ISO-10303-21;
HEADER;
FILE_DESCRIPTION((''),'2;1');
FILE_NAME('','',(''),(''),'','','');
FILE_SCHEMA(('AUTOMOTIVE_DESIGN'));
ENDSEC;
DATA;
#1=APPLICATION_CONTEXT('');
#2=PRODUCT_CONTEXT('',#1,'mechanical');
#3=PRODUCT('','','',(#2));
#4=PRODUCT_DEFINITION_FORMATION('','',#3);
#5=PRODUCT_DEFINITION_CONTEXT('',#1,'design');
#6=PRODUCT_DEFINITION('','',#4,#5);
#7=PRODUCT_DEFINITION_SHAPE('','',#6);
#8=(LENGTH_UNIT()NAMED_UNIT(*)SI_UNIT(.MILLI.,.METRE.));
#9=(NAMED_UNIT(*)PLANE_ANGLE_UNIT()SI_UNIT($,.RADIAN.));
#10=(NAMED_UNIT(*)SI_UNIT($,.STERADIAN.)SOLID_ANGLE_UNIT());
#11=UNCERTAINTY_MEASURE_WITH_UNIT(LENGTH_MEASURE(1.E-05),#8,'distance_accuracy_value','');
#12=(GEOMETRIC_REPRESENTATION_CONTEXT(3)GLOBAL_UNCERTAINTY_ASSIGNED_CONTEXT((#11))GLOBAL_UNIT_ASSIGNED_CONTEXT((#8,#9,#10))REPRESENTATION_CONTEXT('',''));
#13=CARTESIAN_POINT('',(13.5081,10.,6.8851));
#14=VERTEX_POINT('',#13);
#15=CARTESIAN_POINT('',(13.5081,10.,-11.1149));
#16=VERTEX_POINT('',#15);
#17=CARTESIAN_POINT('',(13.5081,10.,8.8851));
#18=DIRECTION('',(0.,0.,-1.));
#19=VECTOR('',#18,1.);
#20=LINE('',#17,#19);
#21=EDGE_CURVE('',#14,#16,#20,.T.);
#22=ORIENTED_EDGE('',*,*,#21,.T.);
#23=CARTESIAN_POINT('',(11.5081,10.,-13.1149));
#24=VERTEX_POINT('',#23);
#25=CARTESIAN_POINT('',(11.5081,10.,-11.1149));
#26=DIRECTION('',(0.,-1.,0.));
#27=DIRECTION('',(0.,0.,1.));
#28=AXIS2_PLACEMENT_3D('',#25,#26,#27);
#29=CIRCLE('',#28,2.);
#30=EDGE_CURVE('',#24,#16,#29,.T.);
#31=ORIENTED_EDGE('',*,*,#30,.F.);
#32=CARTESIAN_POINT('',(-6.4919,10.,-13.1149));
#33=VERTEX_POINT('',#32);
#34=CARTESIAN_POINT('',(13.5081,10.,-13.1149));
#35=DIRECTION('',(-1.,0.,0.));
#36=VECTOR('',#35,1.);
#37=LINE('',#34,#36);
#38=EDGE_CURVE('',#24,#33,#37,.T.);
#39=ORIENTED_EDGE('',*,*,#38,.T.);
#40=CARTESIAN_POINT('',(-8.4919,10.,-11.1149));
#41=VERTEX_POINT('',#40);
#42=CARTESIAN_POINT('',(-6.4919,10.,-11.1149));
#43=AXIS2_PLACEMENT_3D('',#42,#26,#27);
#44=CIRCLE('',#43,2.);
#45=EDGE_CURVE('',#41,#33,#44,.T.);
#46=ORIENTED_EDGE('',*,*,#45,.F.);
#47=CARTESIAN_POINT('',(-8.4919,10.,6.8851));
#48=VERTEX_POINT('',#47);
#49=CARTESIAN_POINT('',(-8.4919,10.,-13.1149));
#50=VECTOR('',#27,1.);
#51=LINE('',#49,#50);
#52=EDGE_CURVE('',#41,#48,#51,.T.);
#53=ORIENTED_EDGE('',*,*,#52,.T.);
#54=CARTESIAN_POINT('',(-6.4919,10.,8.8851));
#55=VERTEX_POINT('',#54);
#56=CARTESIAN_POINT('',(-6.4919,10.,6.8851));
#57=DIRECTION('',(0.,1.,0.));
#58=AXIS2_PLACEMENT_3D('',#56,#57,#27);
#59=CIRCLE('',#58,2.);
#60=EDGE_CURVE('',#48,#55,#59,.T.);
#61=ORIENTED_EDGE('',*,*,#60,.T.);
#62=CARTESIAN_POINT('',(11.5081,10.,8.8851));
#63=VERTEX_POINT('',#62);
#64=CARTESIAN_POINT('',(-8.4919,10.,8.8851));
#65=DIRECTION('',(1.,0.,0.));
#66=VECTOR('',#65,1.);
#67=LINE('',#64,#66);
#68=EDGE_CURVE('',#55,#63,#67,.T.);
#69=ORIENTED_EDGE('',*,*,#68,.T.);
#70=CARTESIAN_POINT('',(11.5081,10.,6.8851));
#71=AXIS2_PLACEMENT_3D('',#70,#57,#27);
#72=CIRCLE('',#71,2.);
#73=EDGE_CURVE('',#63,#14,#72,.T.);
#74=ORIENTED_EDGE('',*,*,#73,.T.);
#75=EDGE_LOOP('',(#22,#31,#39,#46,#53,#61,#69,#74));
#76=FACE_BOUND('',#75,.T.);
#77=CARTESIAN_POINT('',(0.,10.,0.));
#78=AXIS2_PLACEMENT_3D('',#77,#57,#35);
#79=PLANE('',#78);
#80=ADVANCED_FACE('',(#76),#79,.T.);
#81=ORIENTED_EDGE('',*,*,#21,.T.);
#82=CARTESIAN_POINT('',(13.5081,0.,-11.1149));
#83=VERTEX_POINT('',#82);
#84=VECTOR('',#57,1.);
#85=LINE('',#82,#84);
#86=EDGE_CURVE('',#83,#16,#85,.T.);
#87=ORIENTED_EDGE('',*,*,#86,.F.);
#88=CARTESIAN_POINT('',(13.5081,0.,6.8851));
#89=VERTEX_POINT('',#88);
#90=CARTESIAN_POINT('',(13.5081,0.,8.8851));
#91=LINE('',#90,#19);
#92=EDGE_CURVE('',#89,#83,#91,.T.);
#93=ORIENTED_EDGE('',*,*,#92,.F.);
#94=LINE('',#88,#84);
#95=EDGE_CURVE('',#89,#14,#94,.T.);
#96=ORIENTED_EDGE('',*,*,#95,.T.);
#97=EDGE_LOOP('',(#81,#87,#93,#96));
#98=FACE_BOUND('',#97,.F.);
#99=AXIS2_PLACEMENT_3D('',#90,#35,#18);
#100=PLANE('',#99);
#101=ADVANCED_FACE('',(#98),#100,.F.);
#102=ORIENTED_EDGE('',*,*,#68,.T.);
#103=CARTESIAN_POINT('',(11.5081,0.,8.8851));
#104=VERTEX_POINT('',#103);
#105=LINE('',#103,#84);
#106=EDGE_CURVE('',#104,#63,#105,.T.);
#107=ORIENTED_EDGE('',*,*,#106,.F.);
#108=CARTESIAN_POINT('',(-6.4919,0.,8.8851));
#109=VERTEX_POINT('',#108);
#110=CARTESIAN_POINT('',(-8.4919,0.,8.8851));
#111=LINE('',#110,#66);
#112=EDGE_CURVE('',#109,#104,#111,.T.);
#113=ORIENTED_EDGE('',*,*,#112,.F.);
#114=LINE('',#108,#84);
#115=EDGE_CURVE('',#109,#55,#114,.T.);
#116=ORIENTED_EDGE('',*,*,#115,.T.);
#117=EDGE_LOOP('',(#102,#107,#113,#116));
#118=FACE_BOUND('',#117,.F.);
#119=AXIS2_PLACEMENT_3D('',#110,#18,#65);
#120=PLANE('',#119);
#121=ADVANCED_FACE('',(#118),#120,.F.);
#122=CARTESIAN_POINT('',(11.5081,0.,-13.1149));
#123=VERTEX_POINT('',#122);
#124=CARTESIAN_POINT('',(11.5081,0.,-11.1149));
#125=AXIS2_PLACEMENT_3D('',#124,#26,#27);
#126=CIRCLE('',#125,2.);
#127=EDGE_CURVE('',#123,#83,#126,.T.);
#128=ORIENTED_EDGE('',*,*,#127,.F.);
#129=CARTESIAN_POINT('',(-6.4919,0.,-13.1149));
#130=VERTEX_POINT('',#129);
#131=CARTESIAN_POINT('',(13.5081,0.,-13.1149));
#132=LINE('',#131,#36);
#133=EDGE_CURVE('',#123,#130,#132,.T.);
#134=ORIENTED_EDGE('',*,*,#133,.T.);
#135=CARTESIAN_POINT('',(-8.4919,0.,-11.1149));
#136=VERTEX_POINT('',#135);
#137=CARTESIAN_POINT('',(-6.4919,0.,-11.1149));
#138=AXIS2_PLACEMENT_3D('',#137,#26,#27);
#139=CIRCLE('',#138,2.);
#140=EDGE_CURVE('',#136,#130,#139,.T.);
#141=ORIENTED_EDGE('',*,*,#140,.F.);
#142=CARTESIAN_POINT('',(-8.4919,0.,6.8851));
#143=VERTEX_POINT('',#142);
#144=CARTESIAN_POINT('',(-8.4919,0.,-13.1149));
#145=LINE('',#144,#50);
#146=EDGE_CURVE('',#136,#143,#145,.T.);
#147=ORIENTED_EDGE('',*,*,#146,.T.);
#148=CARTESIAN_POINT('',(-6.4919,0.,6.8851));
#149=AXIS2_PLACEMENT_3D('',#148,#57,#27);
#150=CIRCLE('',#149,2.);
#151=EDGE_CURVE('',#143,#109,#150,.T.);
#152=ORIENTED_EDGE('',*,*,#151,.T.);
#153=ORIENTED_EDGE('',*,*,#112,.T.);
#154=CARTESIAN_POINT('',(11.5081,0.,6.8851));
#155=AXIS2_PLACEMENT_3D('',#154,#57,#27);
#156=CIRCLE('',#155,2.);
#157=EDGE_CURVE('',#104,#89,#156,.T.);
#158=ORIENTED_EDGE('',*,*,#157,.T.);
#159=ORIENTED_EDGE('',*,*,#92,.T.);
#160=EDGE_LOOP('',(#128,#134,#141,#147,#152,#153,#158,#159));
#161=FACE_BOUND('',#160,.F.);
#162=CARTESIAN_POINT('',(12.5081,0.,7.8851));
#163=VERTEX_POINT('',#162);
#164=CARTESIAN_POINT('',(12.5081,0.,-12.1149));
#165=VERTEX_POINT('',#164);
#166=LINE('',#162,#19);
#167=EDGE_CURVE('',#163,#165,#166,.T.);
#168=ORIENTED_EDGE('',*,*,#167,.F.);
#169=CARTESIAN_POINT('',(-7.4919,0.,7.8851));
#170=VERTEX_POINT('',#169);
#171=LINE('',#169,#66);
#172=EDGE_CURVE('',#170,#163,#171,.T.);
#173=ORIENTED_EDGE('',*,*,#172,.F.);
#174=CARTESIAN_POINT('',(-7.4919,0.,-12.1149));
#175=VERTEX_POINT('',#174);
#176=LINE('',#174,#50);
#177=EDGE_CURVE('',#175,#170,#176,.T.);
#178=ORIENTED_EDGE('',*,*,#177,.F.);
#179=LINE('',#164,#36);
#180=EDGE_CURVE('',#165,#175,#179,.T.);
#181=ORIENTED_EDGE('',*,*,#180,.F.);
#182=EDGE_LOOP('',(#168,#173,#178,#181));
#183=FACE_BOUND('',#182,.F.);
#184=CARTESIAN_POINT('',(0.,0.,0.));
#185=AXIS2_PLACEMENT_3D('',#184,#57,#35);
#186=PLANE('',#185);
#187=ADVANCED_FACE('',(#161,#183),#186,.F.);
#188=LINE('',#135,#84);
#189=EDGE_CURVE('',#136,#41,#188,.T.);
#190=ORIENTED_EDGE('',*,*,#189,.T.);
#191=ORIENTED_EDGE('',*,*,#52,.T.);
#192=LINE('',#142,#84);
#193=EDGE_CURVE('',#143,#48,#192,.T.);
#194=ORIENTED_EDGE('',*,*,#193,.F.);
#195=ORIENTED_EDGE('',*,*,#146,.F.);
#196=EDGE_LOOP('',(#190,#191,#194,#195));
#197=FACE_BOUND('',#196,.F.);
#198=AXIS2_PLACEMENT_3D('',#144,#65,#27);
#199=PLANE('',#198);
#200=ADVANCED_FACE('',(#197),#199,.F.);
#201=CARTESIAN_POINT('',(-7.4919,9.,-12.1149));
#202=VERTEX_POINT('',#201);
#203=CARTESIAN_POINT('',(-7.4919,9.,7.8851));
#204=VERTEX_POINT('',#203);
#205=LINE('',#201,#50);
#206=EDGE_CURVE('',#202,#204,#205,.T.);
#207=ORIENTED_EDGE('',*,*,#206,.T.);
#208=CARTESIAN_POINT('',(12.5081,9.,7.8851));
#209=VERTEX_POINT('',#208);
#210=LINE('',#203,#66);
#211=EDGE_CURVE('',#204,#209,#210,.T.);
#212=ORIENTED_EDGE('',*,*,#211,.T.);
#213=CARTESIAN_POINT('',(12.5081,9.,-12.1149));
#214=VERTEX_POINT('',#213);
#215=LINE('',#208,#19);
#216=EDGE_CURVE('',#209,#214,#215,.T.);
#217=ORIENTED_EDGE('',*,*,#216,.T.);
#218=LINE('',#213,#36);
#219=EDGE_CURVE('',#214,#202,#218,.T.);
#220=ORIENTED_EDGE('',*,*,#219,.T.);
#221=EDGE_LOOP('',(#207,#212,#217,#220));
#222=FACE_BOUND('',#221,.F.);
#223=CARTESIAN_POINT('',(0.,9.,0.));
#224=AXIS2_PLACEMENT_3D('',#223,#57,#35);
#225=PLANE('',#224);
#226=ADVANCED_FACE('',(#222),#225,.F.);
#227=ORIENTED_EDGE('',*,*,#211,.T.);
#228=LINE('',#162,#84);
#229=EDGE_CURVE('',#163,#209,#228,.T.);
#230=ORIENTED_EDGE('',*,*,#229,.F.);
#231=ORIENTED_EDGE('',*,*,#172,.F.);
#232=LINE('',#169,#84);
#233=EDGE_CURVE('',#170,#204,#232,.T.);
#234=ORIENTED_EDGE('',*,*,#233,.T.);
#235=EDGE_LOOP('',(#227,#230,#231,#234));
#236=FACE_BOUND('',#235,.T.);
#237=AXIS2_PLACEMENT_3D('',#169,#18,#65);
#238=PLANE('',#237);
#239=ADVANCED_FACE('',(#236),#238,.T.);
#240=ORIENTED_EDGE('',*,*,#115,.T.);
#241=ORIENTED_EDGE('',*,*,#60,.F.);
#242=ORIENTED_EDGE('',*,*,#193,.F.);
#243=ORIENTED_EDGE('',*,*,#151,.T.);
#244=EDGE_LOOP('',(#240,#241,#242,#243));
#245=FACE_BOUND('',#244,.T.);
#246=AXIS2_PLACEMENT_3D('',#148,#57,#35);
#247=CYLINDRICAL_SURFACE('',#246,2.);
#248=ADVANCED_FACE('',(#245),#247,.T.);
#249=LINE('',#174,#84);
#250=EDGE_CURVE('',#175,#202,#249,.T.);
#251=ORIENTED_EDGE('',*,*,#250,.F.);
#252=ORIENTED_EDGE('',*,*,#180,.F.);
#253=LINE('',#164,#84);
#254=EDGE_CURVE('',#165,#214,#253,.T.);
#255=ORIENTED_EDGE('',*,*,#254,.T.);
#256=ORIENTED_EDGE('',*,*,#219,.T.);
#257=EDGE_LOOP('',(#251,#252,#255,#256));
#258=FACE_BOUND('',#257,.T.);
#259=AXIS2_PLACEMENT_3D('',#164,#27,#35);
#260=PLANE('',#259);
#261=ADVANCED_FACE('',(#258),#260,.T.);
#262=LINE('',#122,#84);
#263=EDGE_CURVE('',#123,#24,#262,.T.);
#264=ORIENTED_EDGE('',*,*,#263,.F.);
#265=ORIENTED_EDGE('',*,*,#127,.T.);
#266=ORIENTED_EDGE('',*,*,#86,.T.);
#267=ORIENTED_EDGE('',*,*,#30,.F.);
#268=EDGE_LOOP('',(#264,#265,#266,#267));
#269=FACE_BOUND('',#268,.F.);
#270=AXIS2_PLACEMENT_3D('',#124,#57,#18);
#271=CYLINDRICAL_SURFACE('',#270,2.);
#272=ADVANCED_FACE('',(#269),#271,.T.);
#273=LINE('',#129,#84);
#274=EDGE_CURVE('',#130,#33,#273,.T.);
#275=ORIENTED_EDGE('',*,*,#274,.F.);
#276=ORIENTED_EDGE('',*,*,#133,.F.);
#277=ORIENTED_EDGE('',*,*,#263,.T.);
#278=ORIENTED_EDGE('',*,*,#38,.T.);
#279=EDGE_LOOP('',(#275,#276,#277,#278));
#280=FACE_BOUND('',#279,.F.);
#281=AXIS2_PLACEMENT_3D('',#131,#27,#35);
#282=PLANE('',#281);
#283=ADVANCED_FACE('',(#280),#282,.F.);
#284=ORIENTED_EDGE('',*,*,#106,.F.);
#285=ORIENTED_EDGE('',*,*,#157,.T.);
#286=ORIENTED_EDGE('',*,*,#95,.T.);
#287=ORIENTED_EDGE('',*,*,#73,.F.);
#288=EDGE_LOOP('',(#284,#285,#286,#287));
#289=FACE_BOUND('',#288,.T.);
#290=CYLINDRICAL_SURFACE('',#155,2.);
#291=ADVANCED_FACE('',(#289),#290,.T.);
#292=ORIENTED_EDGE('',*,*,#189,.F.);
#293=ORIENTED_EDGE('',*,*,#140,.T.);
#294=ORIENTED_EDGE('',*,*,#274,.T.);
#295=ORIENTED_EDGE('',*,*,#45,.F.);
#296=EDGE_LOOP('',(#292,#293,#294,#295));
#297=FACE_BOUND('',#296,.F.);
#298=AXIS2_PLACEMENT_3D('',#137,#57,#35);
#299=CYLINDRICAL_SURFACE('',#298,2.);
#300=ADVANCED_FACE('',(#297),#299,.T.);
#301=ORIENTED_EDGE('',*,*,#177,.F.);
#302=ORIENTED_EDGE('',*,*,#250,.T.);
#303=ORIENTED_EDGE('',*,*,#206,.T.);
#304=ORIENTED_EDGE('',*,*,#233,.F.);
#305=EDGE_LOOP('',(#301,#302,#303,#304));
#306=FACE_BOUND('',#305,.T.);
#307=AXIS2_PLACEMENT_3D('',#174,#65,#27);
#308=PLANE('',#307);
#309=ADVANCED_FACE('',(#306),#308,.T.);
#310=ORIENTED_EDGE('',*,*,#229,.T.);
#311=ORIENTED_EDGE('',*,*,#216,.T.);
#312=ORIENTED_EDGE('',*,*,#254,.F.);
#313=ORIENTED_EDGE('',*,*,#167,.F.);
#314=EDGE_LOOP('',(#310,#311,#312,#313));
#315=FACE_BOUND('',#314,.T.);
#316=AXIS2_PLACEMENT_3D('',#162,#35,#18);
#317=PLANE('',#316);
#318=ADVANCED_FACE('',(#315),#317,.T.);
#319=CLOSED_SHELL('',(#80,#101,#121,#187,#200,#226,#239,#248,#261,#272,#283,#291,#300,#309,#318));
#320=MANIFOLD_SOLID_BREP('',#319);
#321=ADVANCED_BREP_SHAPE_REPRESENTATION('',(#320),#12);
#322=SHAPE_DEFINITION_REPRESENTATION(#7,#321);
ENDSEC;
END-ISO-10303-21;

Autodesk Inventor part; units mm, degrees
ref_plane "YZ Plane" through (0, 0, 0) normal (1, 0, 0) x (0, 1, 0)
ref_plane "XZ Plane" through (0, 0, 0) normal (0, 1, 0) x (-1, 0, 0)
ref_plane "XY Plane" through (0, 0, 0) normal (0, 0, 1) x (1, 0, 0)
sketch "Sketch1" plane through (0, 0, 0) normal (0, 1, 0) x (-1, 0, 0)
  line L0 (7.4919, 7.8851) -> (-12.5081, 7.8851)
  line L1 (-12.5081, 7.8851) -> (-12.5081, -12.1149)
  line L2 (-12.5081, -12.1149) -> (7.4919, -12.1149)
  line L3 (7.4919, -12.1149) -> (7.4919, 7.8851)
  line L4 (8.4919, 8.8851) -> (-13.5081, 8.8851)
  line L5 (-13.5081, 8.8851) -> (-13.5081, -13.1149)
  line L6 (-13.5081, -13.1149) -> (8.4919, -13.1149)
  line L7 (8.4919, -13.1149) -> (8.4919, 8.8851)
  point P0 (0, 0)
  dimension "d0" = 20
  dimension "d1" = 20
  dimension "d2" = 22
  dimension "d3" = 22
  dimension "d4" = 1
  dimension "d5" = 1
extrude "Extrusion1" add sketch "Sketch1" along normal blind 10 contours L3 L2 L1 L0 | L7 L6 L5 L4
sketch "Sketch2" plane through (0, 0, 0) normal (0, 1, 0) x (-1, 0, 0)
  line L0 (7.4919, 7.8851) -> (-12.5081, 7.8851)
  line L1 (-12.5081, 7.8851) -> (-12.5081, -12.1149)
  line L2 (-12.5081, -12.1149) -> (7.4919, -12.1149)
  line L3 (7.4919, -12.1149) -> (7.4919, 7.8851)
  line L4 (8.4919, -13.1149) -> (8.4919, 8.8851) projected
  line L5 (8.4919, 8.8851) -> (-13.5081, 8.8851) projected
  point P0 (0, 0)
  dimension "d8" = 20
  dimension "d9" = 20
  dimension "d10" = 1
  dimension "d11" = 1
extrude "Extrusion2" cut sketch "Sketch2" along normal blind 9
fillet "Fillet1" radius 2 4 edges at (-8.4919, 5, 8.8851) (-8.4919, 5, -13.1149) (13.5081, 5, -13.1149) (13.5081, 5, 8.8851)
properties part number "box"
